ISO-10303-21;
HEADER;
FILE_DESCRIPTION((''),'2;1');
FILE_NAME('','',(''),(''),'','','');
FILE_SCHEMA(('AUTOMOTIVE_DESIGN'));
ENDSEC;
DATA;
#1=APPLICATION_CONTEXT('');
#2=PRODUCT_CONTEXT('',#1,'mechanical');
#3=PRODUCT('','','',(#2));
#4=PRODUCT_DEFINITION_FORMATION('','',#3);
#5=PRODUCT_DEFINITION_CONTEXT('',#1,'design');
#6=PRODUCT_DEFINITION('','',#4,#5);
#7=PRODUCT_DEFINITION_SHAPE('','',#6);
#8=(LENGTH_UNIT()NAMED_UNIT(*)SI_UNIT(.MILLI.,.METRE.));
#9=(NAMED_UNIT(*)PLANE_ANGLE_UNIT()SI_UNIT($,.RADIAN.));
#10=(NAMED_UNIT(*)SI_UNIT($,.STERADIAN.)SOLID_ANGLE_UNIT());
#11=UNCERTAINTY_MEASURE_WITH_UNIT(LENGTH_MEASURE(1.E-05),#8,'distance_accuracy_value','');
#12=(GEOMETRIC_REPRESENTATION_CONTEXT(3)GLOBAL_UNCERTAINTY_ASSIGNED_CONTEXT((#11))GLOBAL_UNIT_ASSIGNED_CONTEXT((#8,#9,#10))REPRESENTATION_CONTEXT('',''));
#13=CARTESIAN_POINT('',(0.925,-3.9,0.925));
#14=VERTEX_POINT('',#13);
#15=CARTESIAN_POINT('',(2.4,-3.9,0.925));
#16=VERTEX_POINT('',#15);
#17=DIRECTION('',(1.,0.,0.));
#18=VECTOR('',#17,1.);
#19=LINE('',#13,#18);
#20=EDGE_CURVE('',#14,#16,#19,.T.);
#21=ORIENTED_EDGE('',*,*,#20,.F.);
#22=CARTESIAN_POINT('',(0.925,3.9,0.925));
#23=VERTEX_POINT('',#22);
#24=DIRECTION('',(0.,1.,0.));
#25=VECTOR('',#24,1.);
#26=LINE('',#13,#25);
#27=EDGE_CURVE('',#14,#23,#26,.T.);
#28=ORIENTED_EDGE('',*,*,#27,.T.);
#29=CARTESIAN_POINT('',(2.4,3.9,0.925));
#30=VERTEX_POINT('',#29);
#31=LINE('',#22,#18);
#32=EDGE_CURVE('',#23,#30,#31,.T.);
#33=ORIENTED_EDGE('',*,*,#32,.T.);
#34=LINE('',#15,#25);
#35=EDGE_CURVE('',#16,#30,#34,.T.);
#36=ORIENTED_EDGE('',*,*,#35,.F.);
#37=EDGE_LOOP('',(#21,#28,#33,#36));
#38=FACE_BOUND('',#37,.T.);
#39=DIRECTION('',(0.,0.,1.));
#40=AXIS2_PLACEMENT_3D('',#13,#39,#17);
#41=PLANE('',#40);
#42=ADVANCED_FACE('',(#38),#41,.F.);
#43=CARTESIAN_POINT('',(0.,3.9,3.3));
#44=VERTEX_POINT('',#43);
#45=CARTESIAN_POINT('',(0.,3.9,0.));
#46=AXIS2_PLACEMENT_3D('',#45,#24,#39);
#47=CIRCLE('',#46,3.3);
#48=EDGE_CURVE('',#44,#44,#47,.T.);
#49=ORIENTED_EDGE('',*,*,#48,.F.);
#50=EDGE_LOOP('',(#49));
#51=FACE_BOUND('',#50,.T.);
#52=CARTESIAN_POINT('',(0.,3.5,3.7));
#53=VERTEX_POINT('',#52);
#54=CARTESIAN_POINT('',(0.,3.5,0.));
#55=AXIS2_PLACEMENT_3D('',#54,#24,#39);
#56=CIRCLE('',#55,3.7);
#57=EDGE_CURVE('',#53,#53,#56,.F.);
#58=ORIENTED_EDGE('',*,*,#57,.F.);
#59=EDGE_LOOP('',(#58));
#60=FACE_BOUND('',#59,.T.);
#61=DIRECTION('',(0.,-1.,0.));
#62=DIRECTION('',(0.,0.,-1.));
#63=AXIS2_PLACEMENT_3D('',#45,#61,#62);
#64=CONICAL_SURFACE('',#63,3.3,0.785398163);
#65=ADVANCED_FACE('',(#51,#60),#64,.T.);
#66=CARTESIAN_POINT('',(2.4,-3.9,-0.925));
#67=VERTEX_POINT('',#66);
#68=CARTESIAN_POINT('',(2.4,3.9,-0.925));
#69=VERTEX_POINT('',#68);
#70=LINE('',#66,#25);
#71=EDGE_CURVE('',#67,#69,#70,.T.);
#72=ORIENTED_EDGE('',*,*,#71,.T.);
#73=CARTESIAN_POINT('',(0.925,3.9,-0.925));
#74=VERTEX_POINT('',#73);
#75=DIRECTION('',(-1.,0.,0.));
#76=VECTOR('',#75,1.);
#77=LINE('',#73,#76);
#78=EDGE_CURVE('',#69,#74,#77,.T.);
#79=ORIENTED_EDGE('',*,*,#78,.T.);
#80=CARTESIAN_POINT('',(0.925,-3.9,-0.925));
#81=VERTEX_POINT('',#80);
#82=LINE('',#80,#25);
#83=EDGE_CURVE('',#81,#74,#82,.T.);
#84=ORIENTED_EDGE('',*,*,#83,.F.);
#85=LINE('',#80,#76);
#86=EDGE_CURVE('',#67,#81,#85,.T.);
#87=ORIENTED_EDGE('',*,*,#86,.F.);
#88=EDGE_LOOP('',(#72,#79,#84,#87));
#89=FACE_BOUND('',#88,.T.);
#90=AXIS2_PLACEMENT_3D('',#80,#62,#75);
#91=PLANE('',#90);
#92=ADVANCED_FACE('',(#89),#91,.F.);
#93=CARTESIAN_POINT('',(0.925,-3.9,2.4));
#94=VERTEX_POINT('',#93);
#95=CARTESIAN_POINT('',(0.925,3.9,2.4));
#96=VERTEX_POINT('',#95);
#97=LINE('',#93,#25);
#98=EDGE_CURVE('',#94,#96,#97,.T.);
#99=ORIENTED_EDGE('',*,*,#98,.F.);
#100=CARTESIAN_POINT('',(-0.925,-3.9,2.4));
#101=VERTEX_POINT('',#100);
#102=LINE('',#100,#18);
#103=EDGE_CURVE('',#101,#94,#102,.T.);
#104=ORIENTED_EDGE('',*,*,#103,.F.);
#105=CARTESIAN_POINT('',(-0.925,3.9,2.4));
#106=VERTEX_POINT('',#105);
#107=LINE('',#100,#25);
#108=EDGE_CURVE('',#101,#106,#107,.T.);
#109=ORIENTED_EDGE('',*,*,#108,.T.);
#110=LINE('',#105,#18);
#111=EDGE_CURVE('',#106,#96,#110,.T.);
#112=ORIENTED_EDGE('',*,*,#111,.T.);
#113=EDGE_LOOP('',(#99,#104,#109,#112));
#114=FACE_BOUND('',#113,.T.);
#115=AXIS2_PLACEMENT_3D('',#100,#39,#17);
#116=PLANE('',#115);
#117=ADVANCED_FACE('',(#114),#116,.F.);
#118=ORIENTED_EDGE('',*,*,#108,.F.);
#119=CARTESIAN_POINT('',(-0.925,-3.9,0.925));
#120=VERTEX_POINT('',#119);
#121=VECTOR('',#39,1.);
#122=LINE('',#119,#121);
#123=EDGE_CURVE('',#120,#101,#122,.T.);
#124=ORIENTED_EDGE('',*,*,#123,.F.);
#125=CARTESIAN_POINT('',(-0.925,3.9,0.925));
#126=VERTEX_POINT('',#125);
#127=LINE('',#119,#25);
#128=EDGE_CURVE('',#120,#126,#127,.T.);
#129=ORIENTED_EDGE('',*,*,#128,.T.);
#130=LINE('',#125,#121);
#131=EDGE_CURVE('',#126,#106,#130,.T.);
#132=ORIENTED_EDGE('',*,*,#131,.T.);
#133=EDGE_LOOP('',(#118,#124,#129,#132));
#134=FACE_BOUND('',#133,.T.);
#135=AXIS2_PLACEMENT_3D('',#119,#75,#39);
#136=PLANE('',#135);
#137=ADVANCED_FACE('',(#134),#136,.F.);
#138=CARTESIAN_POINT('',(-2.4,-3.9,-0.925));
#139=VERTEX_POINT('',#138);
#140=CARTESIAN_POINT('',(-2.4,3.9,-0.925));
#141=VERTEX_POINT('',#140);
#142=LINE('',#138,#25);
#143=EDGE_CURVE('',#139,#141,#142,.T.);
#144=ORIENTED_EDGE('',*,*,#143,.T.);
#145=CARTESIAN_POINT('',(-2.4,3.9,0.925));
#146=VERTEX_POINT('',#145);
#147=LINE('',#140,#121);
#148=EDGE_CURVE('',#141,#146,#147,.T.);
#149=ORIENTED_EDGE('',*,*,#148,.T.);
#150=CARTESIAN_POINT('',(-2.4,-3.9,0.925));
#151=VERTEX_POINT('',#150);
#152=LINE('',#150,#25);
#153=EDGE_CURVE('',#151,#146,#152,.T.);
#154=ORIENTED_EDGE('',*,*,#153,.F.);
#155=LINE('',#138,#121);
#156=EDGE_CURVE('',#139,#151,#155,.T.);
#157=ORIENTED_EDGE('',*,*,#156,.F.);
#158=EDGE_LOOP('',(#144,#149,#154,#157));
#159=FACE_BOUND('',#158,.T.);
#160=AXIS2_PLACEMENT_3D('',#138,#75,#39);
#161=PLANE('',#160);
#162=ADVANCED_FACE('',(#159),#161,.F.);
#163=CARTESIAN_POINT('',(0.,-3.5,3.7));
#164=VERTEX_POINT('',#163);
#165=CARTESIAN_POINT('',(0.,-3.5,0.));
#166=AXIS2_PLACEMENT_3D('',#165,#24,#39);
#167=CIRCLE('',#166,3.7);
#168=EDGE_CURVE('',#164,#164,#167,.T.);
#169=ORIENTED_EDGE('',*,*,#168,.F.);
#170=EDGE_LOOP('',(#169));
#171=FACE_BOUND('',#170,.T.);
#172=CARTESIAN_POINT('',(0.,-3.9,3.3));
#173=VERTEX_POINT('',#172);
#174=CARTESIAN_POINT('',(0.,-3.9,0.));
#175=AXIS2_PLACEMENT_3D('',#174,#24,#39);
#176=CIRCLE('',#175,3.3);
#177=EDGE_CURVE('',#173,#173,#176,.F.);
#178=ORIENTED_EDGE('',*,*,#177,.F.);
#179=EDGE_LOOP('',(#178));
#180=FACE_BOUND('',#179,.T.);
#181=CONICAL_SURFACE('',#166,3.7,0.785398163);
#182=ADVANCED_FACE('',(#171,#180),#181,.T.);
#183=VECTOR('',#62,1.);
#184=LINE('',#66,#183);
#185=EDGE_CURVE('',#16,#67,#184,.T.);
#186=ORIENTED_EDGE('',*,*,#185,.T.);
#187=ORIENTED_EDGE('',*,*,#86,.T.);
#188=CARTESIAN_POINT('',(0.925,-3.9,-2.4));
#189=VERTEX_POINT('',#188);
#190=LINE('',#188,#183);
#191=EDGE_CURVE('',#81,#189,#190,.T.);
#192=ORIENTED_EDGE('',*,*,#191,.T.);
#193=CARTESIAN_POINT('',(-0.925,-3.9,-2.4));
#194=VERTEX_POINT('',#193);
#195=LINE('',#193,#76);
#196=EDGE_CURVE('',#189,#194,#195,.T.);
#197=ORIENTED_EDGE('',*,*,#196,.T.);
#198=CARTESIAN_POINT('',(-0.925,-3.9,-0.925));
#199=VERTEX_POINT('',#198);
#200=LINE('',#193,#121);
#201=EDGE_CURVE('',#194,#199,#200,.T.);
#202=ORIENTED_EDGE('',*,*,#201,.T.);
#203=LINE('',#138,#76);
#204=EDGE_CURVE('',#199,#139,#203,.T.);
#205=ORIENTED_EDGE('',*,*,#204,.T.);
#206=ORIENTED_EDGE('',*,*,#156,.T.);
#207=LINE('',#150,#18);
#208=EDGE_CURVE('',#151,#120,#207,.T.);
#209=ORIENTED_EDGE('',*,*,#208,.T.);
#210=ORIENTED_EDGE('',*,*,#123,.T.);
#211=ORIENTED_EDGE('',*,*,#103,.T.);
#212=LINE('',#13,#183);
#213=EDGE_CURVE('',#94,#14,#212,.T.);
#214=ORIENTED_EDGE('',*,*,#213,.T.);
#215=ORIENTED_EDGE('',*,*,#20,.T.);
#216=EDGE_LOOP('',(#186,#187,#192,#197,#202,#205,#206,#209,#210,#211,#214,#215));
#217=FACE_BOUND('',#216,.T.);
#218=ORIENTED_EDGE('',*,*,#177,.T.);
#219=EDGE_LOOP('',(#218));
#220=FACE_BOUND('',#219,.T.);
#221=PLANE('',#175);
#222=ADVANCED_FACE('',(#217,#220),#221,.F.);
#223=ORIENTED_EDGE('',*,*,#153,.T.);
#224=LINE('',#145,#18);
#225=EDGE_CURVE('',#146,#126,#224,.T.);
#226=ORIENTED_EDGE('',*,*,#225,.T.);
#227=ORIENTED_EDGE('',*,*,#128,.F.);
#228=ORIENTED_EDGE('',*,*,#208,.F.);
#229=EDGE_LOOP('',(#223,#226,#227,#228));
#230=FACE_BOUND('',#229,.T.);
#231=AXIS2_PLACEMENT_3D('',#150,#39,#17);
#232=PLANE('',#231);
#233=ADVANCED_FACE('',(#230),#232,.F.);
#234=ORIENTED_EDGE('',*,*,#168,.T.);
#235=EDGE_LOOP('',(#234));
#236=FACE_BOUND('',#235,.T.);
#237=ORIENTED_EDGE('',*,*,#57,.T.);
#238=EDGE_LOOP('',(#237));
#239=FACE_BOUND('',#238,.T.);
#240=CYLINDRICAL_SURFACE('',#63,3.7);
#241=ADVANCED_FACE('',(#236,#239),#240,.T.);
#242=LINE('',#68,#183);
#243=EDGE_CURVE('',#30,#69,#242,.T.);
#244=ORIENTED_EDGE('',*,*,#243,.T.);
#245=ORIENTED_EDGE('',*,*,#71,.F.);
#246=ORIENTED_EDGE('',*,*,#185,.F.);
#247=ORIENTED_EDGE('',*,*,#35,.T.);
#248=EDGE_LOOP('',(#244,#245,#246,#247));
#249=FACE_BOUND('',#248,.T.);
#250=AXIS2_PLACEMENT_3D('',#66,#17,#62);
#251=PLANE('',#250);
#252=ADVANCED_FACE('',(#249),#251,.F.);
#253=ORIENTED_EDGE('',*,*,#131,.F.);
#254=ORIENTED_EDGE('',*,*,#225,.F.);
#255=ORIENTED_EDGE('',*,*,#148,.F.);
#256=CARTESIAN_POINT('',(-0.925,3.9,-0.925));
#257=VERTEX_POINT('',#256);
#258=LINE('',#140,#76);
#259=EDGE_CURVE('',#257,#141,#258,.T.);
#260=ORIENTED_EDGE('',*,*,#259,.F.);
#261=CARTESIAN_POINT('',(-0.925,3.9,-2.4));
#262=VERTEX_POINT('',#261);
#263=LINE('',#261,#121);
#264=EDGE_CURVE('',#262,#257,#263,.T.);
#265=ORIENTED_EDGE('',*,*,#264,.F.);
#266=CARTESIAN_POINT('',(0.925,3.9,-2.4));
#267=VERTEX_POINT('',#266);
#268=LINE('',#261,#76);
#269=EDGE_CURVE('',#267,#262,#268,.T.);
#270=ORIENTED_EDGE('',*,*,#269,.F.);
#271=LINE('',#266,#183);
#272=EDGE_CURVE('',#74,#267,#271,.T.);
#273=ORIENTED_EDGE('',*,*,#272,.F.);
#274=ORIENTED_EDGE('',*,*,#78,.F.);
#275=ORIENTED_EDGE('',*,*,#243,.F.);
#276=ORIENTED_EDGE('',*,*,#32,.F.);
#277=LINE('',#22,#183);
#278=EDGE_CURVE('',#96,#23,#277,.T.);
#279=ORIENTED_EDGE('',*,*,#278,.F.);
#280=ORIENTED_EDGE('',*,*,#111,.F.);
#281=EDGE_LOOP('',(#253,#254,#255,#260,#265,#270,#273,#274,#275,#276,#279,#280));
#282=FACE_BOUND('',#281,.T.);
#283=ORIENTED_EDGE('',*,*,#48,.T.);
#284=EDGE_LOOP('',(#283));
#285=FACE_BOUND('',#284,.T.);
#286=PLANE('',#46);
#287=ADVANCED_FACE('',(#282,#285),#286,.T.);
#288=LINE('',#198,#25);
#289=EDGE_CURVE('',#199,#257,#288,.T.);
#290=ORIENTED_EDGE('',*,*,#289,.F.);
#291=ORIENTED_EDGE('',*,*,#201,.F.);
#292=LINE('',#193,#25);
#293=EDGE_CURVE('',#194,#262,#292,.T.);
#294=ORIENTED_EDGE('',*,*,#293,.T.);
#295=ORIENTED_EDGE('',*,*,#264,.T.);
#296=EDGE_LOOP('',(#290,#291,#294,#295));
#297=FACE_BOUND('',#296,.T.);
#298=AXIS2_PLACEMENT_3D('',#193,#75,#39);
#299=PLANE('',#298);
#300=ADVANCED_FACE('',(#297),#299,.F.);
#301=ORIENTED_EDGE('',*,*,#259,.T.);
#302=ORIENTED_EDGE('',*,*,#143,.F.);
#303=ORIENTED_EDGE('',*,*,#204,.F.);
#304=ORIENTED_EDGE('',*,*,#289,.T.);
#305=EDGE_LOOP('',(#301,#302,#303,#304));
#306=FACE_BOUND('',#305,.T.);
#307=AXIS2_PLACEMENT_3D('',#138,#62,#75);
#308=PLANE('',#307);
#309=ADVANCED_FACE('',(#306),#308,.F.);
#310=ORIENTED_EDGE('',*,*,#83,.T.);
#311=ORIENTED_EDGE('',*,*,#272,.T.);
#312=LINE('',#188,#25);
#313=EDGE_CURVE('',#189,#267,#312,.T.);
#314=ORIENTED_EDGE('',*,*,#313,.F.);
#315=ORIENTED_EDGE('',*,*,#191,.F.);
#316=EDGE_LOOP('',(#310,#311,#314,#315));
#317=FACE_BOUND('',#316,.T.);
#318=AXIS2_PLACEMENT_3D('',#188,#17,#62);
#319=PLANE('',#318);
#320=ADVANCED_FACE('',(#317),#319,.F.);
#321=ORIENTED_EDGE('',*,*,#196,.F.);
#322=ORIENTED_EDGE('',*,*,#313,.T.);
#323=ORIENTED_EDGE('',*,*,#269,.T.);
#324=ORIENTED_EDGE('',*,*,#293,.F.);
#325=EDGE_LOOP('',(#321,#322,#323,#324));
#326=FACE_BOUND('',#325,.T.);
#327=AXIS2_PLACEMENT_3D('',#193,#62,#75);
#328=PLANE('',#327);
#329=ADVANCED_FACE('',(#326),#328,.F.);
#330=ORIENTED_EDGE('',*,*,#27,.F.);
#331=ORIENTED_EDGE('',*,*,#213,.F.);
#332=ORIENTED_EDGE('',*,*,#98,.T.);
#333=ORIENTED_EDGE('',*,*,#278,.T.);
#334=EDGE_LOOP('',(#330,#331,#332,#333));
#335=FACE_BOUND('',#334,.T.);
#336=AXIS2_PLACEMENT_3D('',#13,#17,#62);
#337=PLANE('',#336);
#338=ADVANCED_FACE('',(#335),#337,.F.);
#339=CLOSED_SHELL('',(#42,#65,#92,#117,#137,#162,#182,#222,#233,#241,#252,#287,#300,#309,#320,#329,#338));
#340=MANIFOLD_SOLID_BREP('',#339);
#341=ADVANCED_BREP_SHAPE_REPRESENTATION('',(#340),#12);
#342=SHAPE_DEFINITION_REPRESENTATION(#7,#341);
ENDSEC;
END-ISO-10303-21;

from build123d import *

# Parameters (mm, degrees)
SKETCH1_R           = 3.7
BOSS_EXTRUDE1_DEPTH = 3.9
CUT_EXTRUDE1_DEPTH  = 10.392550239
CHAMFER1_SIZE       = 0.4


with BuildPart() as part:
    # Sketch1 → Boss-Extrude1 (new, symmetric)
    with BuildSketch(Plane(origin=(0, 0, 0), x_dir=(1, 0, 0), z_dir=(0, 1, 0))):
        with Locations(Location((0, 0, 0), (0, 0, 270))):
            Circle(SKETCH1_R)
    extrude(amount=BOSS_EXTRUDE1_DEPTH, both=True)

    # Sketch2 → Cut-Extrude1 (cut, through all)
    with BuildSketch(Plane(origin=(0, 3.9, 0), x_dir=(1, 0, 0), z_dir=(0, 1, 0))):
        Polygon((0.925, 0.925), (2.4, 0.925), (2.4, -0.925), (0.925, -0.925), (0.925, -2.4), (-0.925, -2.4), (-0.925, -0.925), (-2.4, -0.925), (-2.4, 0.925), (-0.925, 0.925), (-0.925, 2.4), (0.925, 2.4), align=None)
    extrude(amount=-CUT_EXTRUDE1_DEPTH, mode=Mode.SUBTRACT)

    # Chamfer1
    chamfer1_edges = [part.edges().sort_by_distance(p)[0] for p in [
        (0, -3.9, -3.7),
        (0, 3.9, -3.7),
    ]]
    chamfer(chamfer1_edges, length=CHAMFER1_SIZE)


solid = part.part
